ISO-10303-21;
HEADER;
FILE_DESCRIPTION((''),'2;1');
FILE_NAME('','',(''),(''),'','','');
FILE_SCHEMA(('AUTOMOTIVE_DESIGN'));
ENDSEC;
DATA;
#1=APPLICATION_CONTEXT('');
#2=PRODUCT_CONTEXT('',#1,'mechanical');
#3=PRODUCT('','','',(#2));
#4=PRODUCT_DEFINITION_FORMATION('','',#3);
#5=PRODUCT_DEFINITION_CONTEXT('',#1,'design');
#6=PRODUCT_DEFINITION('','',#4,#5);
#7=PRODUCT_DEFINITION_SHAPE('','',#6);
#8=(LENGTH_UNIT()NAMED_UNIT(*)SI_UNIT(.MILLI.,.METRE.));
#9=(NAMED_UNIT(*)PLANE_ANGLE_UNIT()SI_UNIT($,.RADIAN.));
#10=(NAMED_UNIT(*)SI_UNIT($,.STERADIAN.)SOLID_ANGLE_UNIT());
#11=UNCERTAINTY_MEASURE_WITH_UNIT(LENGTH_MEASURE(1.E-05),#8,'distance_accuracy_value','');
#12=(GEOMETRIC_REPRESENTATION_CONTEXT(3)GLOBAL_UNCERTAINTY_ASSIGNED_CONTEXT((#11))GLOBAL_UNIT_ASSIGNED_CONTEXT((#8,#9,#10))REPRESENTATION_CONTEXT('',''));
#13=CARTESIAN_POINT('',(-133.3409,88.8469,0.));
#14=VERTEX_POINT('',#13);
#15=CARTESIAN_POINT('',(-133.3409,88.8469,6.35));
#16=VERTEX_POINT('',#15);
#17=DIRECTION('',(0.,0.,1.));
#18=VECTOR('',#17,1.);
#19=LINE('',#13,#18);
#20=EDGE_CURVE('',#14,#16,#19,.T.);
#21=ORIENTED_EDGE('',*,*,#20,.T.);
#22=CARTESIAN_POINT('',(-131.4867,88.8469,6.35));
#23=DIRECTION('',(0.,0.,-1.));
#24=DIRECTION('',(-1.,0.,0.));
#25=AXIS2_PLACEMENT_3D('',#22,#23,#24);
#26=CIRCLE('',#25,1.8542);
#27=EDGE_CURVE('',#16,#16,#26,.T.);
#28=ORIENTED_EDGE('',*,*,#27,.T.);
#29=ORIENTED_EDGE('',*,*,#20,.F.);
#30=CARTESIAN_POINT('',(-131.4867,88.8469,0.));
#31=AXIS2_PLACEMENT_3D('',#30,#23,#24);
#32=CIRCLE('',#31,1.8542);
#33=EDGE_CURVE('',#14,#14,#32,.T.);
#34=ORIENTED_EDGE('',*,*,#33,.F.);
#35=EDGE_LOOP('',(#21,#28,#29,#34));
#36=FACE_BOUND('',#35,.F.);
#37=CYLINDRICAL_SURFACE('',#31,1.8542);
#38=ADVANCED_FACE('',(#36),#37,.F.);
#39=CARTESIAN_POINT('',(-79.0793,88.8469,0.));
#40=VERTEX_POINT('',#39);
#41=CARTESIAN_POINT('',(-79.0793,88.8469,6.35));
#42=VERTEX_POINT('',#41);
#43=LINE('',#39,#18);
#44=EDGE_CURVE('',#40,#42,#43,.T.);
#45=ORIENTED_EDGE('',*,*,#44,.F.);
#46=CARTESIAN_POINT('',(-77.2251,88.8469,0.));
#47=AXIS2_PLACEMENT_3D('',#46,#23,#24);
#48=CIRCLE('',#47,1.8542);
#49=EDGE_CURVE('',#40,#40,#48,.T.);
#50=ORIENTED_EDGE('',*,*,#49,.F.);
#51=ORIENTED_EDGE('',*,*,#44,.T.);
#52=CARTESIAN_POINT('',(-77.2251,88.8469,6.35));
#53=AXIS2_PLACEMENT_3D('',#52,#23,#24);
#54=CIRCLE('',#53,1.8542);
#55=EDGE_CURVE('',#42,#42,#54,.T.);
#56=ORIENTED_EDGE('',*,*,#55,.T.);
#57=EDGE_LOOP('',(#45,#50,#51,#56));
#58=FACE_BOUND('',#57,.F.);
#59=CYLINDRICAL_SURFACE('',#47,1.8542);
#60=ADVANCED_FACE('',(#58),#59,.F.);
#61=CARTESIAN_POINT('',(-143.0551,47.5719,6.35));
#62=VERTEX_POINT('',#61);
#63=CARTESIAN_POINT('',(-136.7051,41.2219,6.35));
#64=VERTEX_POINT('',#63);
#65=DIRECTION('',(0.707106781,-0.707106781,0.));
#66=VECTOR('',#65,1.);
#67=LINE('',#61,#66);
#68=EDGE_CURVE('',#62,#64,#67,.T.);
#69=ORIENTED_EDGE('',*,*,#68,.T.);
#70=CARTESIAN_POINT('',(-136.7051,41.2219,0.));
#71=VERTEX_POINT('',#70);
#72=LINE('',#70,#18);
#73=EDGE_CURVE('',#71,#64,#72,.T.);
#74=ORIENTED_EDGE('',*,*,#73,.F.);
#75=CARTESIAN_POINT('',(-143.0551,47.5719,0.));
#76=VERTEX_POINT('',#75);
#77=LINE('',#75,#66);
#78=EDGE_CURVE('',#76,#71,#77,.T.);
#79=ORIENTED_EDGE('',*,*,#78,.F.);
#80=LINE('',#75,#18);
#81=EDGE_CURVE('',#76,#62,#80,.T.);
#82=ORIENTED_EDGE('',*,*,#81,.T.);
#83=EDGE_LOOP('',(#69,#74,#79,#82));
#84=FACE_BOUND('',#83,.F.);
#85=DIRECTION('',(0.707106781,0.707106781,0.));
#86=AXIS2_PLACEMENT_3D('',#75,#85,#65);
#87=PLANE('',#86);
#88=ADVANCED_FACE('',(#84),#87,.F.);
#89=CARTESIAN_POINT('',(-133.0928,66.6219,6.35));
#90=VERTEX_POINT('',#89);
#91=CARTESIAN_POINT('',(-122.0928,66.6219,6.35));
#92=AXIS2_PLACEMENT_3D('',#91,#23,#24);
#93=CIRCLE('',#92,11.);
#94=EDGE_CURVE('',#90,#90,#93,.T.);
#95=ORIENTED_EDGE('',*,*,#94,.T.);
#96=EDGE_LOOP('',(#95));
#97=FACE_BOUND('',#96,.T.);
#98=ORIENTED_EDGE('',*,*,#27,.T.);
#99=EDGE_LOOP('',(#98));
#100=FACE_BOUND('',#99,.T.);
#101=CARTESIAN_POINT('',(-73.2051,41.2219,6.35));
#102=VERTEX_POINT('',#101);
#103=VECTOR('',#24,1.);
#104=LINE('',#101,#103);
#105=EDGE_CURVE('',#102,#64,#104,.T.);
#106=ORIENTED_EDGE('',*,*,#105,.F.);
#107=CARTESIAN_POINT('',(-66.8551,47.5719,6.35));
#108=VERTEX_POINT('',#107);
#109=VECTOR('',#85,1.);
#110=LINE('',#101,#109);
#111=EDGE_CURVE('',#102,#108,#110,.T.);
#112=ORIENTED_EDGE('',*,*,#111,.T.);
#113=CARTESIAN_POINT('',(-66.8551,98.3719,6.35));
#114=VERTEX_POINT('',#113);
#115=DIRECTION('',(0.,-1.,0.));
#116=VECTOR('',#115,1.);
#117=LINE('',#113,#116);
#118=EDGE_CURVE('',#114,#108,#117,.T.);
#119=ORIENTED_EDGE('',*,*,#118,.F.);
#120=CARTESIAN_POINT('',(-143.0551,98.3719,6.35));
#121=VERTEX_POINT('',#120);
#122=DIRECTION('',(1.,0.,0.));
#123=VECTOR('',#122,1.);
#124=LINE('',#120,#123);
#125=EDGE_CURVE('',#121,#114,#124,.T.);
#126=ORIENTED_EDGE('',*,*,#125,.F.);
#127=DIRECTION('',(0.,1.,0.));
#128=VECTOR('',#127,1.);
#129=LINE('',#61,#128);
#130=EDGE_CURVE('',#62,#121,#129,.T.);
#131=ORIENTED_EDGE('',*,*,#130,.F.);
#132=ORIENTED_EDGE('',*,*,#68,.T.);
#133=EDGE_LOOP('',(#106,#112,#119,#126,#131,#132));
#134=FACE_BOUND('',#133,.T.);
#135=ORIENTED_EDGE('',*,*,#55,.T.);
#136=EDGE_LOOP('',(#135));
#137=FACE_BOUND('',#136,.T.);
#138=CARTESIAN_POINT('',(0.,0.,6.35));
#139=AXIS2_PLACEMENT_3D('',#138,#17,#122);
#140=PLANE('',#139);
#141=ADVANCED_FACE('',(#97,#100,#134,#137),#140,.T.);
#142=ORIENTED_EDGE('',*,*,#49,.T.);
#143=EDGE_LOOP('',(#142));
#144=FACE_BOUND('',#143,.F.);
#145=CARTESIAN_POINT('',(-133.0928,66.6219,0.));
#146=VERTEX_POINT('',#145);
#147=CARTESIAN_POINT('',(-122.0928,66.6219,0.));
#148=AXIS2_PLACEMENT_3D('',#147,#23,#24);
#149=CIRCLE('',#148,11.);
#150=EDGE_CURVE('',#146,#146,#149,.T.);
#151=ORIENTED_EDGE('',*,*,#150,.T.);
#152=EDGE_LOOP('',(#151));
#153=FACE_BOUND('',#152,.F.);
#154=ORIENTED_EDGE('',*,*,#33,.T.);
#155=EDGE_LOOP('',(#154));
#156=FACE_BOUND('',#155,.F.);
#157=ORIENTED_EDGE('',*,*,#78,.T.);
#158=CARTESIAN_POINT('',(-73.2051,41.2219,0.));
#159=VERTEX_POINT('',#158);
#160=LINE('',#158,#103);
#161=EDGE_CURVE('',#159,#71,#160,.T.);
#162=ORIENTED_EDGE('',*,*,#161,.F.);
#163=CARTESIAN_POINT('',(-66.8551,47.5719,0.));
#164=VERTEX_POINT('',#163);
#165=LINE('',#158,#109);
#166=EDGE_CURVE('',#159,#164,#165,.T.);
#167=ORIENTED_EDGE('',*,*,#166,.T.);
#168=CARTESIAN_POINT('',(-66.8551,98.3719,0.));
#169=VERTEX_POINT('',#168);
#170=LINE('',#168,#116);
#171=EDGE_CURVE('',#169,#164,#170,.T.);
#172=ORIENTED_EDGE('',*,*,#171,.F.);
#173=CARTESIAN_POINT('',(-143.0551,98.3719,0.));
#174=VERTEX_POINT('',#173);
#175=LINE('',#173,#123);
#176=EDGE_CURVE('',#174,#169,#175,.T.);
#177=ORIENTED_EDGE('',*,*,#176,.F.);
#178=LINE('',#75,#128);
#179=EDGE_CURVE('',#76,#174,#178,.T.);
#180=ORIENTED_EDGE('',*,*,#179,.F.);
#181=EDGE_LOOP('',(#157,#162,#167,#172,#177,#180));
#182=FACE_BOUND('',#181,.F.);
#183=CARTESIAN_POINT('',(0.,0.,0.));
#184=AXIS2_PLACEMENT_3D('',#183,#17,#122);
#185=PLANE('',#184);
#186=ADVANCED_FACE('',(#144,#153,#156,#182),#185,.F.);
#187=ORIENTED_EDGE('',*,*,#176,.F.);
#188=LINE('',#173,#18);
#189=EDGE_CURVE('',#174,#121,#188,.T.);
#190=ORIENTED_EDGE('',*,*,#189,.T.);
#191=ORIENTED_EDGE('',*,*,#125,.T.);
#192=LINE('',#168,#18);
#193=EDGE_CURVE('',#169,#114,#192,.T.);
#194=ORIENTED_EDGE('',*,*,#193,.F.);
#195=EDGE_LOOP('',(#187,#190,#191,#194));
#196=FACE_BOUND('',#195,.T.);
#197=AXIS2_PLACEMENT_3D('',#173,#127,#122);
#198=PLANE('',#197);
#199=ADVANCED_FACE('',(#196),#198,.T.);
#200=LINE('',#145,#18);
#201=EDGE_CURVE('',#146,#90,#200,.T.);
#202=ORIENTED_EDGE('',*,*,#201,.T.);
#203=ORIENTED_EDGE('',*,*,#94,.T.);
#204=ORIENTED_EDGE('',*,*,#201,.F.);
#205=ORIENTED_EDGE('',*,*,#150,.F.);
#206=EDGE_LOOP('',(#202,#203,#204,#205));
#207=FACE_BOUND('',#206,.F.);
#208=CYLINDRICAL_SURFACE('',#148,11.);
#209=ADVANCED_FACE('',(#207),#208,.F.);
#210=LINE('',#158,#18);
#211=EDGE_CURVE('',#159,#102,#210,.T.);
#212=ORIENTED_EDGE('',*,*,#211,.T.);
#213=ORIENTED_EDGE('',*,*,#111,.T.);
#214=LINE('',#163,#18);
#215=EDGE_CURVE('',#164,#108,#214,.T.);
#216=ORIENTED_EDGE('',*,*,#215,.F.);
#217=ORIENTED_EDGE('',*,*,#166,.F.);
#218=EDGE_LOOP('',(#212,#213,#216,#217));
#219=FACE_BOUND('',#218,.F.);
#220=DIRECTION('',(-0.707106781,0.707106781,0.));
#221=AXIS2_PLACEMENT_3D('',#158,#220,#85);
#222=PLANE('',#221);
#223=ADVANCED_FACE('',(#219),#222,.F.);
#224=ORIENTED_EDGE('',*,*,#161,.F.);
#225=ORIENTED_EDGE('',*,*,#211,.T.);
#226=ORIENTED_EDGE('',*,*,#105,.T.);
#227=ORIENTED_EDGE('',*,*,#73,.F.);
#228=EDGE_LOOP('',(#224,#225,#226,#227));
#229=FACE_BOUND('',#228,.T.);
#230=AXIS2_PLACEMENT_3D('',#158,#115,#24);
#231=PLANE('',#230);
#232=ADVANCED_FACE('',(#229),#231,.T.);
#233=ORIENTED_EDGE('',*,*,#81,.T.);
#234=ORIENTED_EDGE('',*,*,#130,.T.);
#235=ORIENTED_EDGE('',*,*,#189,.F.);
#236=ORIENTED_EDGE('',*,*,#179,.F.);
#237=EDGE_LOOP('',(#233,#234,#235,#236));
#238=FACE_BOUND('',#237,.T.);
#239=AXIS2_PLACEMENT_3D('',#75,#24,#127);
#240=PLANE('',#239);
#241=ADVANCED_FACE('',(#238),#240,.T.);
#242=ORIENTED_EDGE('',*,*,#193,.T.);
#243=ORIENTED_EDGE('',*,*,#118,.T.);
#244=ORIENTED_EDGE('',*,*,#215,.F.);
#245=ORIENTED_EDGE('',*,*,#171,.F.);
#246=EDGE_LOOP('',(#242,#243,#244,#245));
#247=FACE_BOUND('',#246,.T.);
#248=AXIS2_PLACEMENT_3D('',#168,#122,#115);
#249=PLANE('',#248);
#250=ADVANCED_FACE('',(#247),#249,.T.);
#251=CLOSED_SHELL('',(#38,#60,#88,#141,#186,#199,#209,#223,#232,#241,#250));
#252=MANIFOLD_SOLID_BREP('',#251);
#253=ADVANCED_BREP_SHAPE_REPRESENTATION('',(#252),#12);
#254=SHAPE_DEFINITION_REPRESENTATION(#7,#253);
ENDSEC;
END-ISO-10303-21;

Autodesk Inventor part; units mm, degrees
ref_plane "YZ Plane" through (0, 0, 0) normal (1, 0, 0) x (0, 1, 0)
ref_plane "XZ Plane" through (0, 0, 0) normal (0, 1, 0) x (-1, 0, 0)
ref_plane "XY Plane" through (0, 0, 0) normal (0, 0, 1) x (1, 0, 0)
sketch "Sketch1" plane through (0, 0, 0) normal (0, 0, 1) x (1, 0, 0)
  line L0 (-73.2051, 41.2219) -> (-136.7051, 41.2219)
  line L1 (-143.0551, 47.5719) -> (-143.0551, 98.3719)
  line L2 (-143.0551, 98.3719) -> (-66.8551, 98.3719)
  line L3 (-66.8551, 98.3719) -> (-66.8551, 47.5719)
  line L4 (-143.0551, 47.5719) -> (-136.7051, 41.2219)
  line L5 (-73.2051, 41.2219) -> (-66.8551, 47.5719)
  point P0 (0, 0)
  point P1 (-66.8551, 41.2219)
  point P2 (-143.0551, 41.2219)
  point P3 (-117.6551, 41.2219)
  point P4 (-143.0551, 66.6219)
  point P5 (-66.8551, 72.9719)
  point P6 (-92.2551, 41.2219)
  point P7 (-143.0551, 41.2219)
  point P8 (-66.8551, 41.2219)
  dimension "d0" = 76.2
  dimension "d1" = 57.15
  dimension "d10" = 6.35
  dimension "d11" = 6.35
  dimension "d12" = 6.35
extrude "Extrusion1" add sketch "Sketch1" along normal blind 6.35
sketch "Sketch2" plane through (0, 0, 6.35) normal (0, 0, 1) x (1, 0, 0)
  line L0 (-130.3551, 77.0986) -> (-130.3551, 56.1453)
  line L1 (-130.3551, 66.6219) -> (-98.3601, 66.6219) construction
  arc A0 (-119.7326, 65.7975) -> (-124.4934, 65.9243) centre (-122.0928, 66.6219) ccw
  line L2 (-124.4934, 65.9243) -> (-119.7326, 65.7975) projected
  point P0 (0, 0)
  dimension "d4" = 5
extrude "Extrusion2" cut sketch "Sketch2" against normal through all
sketch "Sketch3" plane through (0, 0, 0) normal (0, 0, -1) x (-1, 0, 0)
  arc A0 (124.4934, 65.9243) -> (119.7326, 65.7975) centre (122.0928, 66.6219) ccw projected
  line L0 (124.4934, 65.9243) -> (119.7326, 65.7975) projected
  circle A1 centre (122.0928, 66.6219) radius 11
  point P0 (0, 0)
extrude "Extrusion3" cut sketch "Sketch3" against normal through all
sketch "Sketch4" plane through (0, 0, 0) normal (0, 0, -1) x (-1, 0, 0)
  line L0 (143.0551, 92.0219) -> (133.3409, 92.0219) construction
  line L1 (143.0551, 85.6719) -> (133.3409, 85.6719) construction
  line L2 (143.0551, 85.6719) -> (143.0551, 98.3719) construction
  line L3 (35.1051, 88.8469) -> (143.0551, 88.8469) construction
  circle A0 centre (77.2251, 88.8469) radius 1.8542
  circle A1 centre (131.4867, 88.8469) radius 1.8542
  line L4 (133.3409, 92.0219) -> (133.3409, 85.6719) projected
  point P0 (0, 0)
  dimension "d15" = 3.7084
  dimension "d16" = 3.7084
extrude "Extrusion4" cut sketch "Sketch4" against normal through all
equation "\"d10\" = d9"
equation "\"d12\" = d11"
equation "\"d9\" = 6.35"
properties part number "projectorMountSide" material "Nylon, molybdenum disulphide"
